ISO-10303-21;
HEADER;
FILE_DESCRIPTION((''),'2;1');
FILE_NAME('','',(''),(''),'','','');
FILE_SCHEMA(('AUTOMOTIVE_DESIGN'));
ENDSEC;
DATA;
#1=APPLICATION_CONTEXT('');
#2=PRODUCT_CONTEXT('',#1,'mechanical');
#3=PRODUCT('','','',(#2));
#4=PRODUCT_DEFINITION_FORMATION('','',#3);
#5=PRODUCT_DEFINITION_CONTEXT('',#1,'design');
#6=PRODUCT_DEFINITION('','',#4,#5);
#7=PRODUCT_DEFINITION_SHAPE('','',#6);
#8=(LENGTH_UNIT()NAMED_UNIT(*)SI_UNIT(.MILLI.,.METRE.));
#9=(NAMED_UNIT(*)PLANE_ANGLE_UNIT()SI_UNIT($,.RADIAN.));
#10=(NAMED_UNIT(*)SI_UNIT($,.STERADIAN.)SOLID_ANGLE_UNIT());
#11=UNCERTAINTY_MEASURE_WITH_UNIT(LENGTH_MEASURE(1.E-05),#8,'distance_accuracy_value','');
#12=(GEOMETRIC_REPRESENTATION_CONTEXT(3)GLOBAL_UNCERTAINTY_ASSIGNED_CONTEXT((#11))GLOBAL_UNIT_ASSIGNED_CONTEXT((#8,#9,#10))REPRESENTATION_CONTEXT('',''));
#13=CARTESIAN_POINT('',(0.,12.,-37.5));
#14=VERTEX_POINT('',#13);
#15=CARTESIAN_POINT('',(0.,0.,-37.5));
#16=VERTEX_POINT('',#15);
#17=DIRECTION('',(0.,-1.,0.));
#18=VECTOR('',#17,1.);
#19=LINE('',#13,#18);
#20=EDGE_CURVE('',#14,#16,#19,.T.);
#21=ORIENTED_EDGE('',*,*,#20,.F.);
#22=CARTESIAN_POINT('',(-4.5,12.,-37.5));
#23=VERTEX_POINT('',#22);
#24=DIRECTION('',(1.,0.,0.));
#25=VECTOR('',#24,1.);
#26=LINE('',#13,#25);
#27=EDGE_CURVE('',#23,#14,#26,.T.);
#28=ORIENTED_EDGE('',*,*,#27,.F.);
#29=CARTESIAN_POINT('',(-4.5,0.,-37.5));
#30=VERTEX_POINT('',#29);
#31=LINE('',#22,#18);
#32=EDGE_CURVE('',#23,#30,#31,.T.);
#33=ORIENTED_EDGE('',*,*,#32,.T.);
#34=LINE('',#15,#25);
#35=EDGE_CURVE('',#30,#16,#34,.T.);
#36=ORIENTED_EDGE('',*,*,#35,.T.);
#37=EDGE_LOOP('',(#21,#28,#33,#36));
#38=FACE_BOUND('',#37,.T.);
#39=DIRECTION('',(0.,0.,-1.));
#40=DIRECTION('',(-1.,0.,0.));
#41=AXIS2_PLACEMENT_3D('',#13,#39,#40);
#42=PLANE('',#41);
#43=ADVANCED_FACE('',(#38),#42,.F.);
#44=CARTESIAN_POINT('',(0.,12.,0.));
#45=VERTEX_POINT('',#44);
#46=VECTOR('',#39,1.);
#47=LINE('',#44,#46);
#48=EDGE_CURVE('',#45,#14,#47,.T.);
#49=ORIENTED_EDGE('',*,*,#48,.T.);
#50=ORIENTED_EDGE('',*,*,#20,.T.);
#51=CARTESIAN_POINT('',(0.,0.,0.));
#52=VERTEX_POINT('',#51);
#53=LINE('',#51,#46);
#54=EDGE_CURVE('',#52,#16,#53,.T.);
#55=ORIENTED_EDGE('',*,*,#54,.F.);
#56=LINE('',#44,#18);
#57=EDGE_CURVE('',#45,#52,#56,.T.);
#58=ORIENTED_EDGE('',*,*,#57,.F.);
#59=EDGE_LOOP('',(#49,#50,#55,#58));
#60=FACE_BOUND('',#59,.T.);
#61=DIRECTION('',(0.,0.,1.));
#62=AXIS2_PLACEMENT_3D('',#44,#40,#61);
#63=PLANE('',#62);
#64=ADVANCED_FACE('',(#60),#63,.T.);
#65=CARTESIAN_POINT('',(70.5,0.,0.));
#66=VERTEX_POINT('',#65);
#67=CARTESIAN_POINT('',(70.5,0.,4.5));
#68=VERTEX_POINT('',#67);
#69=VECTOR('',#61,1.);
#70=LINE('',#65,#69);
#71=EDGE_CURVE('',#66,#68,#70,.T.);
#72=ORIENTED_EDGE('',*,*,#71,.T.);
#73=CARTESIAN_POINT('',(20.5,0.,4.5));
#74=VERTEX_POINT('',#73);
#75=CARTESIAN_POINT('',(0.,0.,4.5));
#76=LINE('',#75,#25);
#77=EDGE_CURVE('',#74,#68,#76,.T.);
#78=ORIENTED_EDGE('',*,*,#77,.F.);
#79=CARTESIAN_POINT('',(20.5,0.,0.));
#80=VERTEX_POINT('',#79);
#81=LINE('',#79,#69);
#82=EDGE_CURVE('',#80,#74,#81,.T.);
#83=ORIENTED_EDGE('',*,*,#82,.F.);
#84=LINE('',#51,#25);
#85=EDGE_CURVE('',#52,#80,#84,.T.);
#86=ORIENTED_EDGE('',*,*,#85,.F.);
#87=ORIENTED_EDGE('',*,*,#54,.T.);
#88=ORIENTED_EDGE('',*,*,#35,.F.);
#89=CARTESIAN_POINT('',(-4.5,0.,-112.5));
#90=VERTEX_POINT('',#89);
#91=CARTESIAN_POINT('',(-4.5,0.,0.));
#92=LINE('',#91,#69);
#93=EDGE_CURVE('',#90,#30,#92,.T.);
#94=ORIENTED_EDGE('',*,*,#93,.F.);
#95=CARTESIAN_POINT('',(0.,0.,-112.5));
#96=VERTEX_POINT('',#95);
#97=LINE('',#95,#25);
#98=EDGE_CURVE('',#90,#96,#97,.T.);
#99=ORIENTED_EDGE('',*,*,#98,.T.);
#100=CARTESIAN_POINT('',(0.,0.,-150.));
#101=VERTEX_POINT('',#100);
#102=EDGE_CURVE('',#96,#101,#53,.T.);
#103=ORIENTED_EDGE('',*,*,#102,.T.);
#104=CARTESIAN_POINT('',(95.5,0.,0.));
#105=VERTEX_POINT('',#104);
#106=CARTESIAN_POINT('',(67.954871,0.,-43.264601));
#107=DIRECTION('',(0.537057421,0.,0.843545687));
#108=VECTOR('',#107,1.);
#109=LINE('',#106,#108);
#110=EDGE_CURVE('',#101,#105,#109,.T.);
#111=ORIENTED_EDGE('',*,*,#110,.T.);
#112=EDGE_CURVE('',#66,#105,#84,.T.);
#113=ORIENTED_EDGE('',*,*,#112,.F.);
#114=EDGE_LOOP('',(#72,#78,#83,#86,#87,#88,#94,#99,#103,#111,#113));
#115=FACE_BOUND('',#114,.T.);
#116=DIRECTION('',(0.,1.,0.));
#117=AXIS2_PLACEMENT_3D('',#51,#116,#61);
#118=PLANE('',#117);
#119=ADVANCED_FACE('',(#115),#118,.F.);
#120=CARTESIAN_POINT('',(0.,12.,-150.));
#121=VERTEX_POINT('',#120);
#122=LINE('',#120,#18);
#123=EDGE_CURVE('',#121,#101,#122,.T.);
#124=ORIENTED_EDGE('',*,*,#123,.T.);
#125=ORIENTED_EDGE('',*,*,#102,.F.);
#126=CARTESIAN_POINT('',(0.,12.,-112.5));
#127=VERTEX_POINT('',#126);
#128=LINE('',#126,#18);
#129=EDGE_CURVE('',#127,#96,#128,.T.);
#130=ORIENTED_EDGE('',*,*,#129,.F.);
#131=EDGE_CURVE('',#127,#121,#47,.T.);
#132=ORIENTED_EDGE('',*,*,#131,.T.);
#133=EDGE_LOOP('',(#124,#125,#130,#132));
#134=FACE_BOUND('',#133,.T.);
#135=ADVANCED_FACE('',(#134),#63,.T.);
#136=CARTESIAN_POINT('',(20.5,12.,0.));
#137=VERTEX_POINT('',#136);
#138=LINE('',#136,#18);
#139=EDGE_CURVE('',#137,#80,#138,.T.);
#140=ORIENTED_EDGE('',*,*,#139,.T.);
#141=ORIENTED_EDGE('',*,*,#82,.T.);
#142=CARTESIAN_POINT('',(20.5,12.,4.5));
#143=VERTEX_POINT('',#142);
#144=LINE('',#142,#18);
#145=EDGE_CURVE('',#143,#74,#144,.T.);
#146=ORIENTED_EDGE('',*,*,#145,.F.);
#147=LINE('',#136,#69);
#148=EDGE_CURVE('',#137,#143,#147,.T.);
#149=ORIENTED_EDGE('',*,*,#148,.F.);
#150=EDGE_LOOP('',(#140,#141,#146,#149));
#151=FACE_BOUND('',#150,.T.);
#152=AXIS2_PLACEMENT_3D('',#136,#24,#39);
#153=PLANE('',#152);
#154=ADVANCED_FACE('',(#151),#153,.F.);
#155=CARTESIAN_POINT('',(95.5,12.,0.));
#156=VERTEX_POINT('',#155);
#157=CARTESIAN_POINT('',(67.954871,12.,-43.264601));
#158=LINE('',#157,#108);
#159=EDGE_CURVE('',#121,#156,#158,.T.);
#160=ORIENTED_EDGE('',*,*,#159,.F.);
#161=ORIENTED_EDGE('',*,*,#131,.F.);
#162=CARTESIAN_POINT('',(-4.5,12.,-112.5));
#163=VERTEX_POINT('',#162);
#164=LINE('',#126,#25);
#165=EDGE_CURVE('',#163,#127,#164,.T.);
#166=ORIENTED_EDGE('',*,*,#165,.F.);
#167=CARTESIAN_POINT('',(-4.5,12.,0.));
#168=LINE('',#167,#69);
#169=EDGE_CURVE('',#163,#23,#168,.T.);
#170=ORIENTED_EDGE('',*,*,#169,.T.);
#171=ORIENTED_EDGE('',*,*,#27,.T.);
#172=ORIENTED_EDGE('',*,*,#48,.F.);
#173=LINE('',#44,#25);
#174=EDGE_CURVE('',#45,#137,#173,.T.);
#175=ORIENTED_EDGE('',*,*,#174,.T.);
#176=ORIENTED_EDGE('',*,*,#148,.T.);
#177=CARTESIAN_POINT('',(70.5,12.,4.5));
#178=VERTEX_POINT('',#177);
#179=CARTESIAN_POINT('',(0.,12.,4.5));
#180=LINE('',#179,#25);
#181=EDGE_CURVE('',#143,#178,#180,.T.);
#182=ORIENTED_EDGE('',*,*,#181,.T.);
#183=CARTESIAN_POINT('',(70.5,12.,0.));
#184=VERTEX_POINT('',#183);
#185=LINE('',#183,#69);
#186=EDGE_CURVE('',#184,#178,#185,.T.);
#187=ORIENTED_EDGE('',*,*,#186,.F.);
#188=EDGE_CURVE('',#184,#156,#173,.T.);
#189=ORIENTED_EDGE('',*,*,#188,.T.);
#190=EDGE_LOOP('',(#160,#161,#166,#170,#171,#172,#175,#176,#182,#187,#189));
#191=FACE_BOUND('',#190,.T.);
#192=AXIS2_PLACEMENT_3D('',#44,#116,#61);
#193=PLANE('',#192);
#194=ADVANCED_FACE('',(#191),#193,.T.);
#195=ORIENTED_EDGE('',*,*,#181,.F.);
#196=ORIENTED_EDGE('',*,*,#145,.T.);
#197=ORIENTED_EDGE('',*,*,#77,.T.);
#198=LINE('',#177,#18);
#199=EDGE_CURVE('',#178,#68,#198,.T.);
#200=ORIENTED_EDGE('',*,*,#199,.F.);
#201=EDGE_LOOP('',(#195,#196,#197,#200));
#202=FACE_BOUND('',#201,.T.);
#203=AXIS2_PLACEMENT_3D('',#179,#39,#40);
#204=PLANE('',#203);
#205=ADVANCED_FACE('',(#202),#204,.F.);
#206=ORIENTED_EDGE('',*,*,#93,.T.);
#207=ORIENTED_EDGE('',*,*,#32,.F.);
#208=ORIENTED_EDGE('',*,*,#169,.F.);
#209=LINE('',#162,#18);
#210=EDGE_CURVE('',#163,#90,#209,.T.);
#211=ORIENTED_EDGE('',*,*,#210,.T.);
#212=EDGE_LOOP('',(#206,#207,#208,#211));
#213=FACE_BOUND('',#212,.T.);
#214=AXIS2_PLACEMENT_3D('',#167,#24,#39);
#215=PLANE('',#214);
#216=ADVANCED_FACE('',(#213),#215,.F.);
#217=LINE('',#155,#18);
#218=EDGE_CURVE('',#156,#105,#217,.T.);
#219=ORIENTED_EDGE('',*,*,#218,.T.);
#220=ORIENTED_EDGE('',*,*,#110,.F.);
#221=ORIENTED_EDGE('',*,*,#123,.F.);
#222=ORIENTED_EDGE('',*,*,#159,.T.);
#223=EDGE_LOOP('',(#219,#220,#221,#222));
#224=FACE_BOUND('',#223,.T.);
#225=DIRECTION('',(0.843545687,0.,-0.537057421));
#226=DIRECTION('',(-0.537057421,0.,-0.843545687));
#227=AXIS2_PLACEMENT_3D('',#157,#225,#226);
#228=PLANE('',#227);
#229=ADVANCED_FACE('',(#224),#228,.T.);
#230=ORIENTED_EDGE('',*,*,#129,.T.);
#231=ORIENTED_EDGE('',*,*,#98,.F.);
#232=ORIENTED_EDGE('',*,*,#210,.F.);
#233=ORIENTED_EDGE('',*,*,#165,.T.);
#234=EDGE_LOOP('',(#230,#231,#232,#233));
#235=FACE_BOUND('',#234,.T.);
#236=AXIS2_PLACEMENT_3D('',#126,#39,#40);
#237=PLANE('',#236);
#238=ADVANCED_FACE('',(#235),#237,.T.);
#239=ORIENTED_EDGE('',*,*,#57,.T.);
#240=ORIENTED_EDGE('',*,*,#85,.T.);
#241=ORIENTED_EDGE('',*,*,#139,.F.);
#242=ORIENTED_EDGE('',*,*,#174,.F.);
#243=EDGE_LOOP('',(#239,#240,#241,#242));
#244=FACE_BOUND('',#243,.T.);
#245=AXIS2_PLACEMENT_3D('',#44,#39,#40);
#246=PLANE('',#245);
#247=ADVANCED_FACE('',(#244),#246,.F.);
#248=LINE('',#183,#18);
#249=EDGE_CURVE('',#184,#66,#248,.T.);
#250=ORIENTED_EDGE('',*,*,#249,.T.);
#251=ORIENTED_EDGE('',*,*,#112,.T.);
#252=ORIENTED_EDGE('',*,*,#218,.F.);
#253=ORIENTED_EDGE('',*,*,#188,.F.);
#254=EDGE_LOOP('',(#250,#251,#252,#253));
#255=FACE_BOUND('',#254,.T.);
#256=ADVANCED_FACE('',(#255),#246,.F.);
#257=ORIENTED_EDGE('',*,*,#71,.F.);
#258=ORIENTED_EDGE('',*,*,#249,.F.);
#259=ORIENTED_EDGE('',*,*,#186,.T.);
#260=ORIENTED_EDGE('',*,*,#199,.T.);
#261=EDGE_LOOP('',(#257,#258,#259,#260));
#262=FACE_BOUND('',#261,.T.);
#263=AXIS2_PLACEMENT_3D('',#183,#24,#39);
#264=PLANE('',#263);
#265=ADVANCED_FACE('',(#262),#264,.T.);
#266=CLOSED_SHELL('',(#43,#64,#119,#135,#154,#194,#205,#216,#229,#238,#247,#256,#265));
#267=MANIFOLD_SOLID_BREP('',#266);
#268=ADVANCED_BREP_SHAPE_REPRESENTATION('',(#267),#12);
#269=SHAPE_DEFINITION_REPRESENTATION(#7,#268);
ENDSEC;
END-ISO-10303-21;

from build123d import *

# Parameters (mm, degrees)
SKETCH1_W           = 4.5
SKETCH1_H           = 75
SKETCH1_W_2         = 50
SKETCH1_H_2         = 4.5
BOSS_EXTRUDE1_DEPTH = 12


with BuildPart() as part:
    # Sketch1 → Boss-Extrude1 (new body)
    with BuildSketch(Plane(origin=(0, 0, 0), x_dir=(1, 0, 0), z_dir=(0, 1, 0))):
        with Locations((-2.25, 75)):
            Rectangle(SKETCH1_W, SKETCH1_H)
        Polygon((0, 37.5), (0, 0), (20.5, 0), (20.5, 4.5), (70.5, 4.5), (70.5, 0), (95.5, 0), (0, 150), (0, 112.5), (4.5, 112.5), (4.5, 37.5), align=None)
        with Locations((45.5, -2.25)):
            Rectangle(SKETCH1_W_2, SKETCH1_H_2)
        with Locations((45.5, 2.25)):
            Rectangle(SKETCH1_W_2, SKETCH1_H_2)
        with Locations((2.25, 75)):
            Rectangle(SKETCH1_W, SKETCH1_H)
    extrude(amount=BOSS_EXTRUDE1_DEPTH)


solid = part.part
